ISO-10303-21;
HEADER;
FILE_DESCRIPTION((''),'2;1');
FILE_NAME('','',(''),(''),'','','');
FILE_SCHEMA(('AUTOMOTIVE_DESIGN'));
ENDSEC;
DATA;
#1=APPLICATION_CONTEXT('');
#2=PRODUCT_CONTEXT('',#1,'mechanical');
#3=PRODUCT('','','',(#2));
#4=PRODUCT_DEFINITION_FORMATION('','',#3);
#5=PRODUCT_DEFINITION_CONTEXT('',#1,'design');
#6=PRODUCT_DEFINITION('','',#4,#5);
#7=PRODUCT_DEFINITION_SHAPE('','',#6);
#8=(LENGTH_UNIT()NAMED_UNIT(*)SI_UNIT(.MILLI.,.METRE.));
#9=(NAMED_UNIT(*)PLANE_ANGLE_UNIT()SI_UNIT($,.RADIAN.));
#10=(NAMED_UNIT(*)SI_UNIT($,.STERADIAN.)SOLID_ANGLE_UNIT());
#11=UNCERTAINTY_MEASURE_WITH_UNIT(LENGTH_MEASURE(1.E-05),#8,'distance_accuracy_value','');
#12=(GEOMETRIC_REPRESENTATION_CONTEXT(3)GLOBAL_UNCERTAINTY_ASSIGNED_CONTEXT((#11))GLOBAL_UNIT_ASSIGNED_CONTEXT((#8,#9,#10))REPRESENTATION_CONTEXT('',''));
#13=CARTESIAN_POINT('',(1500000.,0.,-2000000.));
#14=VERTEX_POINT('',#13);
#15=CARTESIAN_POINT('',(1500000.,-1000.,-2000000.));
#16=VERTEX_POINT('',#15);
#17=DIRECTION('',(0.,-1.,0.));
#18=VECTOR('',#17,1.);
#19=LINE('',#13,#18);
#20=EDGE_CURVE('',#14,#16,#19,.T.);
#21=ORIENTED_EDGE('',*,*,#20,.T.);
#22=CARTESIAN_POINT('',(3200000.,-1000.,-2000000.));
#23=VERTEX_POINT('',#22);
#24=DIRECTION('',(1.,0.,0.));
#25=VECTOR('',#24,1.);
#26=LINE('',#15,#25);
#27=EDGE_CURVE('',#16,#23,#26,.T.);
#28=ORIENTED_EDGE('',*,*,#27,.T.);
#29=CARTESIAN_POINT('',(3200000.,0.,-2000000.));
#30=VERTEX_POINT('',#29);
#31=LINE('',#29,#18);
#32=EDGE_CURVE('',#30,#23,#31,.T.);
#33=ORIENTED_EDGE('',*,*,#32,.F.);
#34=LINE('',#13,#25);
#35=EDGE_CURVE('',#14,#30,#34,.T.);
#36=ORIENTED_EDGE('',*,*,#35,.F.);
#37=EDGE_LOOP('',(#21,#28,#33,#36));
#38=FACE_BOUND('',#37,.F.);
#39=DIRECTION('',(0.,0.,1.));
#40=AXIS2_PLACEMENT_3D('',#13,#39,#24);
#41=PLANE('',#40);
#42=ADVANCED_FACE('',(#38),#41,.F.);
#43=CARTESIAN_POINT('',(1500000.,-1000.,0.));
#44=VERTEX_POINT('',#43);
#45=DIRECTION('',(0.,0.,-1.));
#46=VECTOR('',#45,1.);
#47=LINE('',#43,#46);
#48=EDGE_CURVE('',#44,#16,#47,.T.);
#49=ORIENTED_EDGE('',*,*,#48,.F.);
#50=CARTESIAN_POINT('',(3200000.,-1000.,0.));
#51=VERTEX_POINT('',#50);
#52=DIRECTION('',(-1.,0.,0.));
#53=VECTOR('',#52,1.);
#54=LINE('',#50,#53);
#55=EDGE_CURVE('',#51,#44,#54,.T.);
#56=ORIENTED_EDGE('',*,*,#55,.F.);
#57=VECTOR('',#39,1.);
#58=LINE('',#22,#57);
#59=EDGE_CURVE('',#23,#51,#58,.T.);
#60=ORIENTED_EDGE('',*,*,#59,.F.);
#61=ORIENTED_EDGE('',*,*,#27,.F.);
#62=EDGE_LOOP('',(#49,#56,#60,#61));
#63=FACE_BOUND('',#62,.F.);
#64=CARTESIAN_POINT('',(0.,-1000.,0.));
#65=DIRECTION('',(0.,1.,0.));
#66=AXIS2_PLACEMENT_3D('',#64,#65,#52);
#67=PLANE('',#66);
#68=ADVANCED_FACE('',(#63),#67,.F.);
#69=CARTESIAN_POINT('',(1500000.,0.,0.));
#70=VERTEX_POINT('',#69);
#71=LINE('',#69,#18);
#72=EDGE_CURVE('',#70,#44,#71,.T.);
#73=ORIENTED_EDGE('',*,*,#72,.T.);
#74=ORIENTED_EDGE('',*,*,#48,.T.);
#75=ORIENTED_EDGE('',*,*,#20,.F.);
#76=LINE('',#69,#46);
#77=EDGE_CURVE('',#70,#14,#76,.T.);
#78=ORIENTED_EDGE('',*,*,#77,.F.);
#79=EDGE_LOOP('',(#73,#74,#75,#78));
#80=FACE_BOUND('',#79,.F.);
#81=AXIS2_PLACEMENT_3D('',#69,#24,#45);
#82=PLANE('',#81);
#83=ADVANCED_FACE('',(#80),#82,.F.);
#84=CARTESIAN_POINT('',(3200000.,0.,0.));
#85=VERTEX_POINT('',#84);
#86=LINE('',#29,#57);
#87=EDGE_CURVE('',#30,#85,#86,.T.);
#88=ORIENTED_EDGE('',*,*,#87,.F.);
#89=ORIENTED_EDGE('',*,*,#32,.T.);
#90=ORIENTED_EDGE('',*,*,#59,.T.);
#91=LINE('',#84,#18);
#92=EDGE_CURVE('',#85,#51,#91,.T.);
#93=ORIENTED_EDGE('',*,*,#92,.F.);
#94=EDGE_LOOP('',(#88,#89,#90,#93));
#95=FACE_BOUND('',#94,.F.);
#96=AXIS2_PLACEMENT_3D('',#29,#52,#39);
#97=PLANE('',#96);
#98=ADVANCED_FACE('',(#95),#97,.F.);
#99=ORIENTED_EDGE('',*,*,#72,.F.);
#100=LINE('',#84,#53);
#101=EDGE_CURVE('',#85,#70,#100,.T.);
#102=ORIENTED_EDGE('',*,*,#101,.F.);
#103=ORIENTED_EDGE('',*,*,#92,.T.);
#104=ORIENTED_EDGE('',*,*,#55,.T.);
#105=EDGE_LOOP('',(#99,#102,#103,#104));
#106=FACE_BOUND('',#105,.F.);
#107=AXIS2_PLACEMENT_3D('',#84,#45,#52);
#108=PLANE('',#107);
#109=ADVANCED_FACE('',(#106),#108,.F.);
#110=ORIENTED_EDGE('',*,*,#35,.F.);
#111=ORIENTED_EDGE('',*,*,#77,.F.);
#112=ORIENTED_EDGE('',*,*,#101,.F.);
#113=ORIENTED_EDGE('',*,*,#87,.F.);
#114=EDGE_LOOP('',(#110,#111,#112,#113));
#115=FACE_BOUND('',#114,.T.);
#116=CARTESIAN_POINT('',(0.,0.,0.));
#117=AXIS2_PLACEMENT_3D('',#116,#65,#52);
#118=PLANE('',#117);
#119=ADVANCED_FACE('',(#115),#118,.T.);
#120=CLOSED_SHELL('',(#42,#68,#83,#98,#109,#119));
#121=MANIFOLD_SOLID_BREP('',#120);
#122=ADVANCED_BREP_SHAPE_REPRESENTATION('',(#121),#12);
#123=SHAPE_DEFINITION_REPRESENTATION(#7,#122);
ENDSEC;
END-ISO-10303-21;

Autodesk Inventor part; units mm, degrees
ref_plane "YZ Plane" through (0, 0, 0) normal (1, 0, 0) x (0, 1, 0)
ref_plane "XZ Plane" through (0, 0, 0) normal (0, 1, 0) x (-1, 0, 0)
ref_plane "XY Plane" through (0, 0, 0) normal (0, 0, 1) x (1, 0, 0)
sketch "Boceto1" plane through (0, 0, 0) normal (0, 1, 0) x (-1, 0, 0)
  line L0 (-1500000, -2000000) -> (-3200000, -2000000)
  line L1 (-3200000, -2000000) -> (-3200000, 0)
  line L2 (-3200000, 0) -> (-1500000, 0)
  line L3 (-1500000, 0) -> (-1500000, -2000000)
  point P0 (0, 0)
  dimension "d7" = 1700000
  dimension "d9" = 2000000
extrude "Extrusión1" add sketch "Boceto1" against normal blind 1000
sketch "Boceto3" plane through (0, 0, 0) normal (0, 1, 0) x (1, 0, 0)
  line L0 (1500000, 0) -> (3200000, 0) projected
  line L1 (3200000, 0) -> (3200000, 2000000) projected
  line L2 (3200000, 2000000) -> (1500000, 2000000) projected
  line L3 (1500000, 2000000) -> (1500000, 0) projected
  line L4 (3200000, 0) -> (1500000, 0) projected
  line L5 (1500000, 0) -> (1500000, 2000000) projected
  line L6 (3200000, 2000000) -> (3200000, 0) projected
  line L7 (1500000, 2000000) -> (2350000, 2000000)
  line L8 (1500000, 1000000) -> (1500000, 2000000)
  line L9 (3200000, 1000000) -> (3200000, 2000000)
  line L10 (3200000, 2000000) -> (2350000, 2000000)
  line L11 (1500000, 1000000) -> (1500000, 0)
  line L12 (1500000, 0) -> (2350000, 0)
  line L13 (3200000, 1000000) -> (3200000, 0)
  line L14 (3200000, 0) -> (2350000, 0)
  line L15 (1500000, 2000000) -> (3200000, 2000000) projected
  line L16 (1500000, 1000000) -> (3200000, 1000000)
  line L17 (1500000, 1630000) -> (2350000, 1630000)
  line L18 (2350000, 1000000) -> (1500000, 1000000)
  line L19 (1500000, 1000000) -> (1500000, 1630000)
  line L20 (2350000, 2000000) -> (2954055, 2000000)
  line L21 (2954055, 2000000) -> (2954055, 1000000)
  line L22 (2954055, 1000000) -> (2350000, 1000000)
  line L23 (1809479, 1000000) -> (2350000, 1000000)
  line L24 (2350000, 1000000) -> (2350000, 0)
  line L25 (2350000, 0) -> (1809479, 0)
  line L26 (1809479, 0) -> (1809479, 1000000)
  line L27 (3200000, 459725) -> (2350000, 459725)
  line L28 (2350000, 459725) -> (2350000, 1000000)
  line L29 (2350000, 1000000) -> (3200000, 1000000)
  line L30 (3200000, 1000000) -> (3200000, 459725)
  line L31 (2350000, 1000000) -> (2350000, 2000000)
  point P0 (0, 0)
  dimension "d14" = 1500000
  dimension "d15" = 2000000
  dimension "d17" = 1630000
  dimension "d18" = 1000000
  dimension "d19" = 850000
properties part number "leonOSM"
